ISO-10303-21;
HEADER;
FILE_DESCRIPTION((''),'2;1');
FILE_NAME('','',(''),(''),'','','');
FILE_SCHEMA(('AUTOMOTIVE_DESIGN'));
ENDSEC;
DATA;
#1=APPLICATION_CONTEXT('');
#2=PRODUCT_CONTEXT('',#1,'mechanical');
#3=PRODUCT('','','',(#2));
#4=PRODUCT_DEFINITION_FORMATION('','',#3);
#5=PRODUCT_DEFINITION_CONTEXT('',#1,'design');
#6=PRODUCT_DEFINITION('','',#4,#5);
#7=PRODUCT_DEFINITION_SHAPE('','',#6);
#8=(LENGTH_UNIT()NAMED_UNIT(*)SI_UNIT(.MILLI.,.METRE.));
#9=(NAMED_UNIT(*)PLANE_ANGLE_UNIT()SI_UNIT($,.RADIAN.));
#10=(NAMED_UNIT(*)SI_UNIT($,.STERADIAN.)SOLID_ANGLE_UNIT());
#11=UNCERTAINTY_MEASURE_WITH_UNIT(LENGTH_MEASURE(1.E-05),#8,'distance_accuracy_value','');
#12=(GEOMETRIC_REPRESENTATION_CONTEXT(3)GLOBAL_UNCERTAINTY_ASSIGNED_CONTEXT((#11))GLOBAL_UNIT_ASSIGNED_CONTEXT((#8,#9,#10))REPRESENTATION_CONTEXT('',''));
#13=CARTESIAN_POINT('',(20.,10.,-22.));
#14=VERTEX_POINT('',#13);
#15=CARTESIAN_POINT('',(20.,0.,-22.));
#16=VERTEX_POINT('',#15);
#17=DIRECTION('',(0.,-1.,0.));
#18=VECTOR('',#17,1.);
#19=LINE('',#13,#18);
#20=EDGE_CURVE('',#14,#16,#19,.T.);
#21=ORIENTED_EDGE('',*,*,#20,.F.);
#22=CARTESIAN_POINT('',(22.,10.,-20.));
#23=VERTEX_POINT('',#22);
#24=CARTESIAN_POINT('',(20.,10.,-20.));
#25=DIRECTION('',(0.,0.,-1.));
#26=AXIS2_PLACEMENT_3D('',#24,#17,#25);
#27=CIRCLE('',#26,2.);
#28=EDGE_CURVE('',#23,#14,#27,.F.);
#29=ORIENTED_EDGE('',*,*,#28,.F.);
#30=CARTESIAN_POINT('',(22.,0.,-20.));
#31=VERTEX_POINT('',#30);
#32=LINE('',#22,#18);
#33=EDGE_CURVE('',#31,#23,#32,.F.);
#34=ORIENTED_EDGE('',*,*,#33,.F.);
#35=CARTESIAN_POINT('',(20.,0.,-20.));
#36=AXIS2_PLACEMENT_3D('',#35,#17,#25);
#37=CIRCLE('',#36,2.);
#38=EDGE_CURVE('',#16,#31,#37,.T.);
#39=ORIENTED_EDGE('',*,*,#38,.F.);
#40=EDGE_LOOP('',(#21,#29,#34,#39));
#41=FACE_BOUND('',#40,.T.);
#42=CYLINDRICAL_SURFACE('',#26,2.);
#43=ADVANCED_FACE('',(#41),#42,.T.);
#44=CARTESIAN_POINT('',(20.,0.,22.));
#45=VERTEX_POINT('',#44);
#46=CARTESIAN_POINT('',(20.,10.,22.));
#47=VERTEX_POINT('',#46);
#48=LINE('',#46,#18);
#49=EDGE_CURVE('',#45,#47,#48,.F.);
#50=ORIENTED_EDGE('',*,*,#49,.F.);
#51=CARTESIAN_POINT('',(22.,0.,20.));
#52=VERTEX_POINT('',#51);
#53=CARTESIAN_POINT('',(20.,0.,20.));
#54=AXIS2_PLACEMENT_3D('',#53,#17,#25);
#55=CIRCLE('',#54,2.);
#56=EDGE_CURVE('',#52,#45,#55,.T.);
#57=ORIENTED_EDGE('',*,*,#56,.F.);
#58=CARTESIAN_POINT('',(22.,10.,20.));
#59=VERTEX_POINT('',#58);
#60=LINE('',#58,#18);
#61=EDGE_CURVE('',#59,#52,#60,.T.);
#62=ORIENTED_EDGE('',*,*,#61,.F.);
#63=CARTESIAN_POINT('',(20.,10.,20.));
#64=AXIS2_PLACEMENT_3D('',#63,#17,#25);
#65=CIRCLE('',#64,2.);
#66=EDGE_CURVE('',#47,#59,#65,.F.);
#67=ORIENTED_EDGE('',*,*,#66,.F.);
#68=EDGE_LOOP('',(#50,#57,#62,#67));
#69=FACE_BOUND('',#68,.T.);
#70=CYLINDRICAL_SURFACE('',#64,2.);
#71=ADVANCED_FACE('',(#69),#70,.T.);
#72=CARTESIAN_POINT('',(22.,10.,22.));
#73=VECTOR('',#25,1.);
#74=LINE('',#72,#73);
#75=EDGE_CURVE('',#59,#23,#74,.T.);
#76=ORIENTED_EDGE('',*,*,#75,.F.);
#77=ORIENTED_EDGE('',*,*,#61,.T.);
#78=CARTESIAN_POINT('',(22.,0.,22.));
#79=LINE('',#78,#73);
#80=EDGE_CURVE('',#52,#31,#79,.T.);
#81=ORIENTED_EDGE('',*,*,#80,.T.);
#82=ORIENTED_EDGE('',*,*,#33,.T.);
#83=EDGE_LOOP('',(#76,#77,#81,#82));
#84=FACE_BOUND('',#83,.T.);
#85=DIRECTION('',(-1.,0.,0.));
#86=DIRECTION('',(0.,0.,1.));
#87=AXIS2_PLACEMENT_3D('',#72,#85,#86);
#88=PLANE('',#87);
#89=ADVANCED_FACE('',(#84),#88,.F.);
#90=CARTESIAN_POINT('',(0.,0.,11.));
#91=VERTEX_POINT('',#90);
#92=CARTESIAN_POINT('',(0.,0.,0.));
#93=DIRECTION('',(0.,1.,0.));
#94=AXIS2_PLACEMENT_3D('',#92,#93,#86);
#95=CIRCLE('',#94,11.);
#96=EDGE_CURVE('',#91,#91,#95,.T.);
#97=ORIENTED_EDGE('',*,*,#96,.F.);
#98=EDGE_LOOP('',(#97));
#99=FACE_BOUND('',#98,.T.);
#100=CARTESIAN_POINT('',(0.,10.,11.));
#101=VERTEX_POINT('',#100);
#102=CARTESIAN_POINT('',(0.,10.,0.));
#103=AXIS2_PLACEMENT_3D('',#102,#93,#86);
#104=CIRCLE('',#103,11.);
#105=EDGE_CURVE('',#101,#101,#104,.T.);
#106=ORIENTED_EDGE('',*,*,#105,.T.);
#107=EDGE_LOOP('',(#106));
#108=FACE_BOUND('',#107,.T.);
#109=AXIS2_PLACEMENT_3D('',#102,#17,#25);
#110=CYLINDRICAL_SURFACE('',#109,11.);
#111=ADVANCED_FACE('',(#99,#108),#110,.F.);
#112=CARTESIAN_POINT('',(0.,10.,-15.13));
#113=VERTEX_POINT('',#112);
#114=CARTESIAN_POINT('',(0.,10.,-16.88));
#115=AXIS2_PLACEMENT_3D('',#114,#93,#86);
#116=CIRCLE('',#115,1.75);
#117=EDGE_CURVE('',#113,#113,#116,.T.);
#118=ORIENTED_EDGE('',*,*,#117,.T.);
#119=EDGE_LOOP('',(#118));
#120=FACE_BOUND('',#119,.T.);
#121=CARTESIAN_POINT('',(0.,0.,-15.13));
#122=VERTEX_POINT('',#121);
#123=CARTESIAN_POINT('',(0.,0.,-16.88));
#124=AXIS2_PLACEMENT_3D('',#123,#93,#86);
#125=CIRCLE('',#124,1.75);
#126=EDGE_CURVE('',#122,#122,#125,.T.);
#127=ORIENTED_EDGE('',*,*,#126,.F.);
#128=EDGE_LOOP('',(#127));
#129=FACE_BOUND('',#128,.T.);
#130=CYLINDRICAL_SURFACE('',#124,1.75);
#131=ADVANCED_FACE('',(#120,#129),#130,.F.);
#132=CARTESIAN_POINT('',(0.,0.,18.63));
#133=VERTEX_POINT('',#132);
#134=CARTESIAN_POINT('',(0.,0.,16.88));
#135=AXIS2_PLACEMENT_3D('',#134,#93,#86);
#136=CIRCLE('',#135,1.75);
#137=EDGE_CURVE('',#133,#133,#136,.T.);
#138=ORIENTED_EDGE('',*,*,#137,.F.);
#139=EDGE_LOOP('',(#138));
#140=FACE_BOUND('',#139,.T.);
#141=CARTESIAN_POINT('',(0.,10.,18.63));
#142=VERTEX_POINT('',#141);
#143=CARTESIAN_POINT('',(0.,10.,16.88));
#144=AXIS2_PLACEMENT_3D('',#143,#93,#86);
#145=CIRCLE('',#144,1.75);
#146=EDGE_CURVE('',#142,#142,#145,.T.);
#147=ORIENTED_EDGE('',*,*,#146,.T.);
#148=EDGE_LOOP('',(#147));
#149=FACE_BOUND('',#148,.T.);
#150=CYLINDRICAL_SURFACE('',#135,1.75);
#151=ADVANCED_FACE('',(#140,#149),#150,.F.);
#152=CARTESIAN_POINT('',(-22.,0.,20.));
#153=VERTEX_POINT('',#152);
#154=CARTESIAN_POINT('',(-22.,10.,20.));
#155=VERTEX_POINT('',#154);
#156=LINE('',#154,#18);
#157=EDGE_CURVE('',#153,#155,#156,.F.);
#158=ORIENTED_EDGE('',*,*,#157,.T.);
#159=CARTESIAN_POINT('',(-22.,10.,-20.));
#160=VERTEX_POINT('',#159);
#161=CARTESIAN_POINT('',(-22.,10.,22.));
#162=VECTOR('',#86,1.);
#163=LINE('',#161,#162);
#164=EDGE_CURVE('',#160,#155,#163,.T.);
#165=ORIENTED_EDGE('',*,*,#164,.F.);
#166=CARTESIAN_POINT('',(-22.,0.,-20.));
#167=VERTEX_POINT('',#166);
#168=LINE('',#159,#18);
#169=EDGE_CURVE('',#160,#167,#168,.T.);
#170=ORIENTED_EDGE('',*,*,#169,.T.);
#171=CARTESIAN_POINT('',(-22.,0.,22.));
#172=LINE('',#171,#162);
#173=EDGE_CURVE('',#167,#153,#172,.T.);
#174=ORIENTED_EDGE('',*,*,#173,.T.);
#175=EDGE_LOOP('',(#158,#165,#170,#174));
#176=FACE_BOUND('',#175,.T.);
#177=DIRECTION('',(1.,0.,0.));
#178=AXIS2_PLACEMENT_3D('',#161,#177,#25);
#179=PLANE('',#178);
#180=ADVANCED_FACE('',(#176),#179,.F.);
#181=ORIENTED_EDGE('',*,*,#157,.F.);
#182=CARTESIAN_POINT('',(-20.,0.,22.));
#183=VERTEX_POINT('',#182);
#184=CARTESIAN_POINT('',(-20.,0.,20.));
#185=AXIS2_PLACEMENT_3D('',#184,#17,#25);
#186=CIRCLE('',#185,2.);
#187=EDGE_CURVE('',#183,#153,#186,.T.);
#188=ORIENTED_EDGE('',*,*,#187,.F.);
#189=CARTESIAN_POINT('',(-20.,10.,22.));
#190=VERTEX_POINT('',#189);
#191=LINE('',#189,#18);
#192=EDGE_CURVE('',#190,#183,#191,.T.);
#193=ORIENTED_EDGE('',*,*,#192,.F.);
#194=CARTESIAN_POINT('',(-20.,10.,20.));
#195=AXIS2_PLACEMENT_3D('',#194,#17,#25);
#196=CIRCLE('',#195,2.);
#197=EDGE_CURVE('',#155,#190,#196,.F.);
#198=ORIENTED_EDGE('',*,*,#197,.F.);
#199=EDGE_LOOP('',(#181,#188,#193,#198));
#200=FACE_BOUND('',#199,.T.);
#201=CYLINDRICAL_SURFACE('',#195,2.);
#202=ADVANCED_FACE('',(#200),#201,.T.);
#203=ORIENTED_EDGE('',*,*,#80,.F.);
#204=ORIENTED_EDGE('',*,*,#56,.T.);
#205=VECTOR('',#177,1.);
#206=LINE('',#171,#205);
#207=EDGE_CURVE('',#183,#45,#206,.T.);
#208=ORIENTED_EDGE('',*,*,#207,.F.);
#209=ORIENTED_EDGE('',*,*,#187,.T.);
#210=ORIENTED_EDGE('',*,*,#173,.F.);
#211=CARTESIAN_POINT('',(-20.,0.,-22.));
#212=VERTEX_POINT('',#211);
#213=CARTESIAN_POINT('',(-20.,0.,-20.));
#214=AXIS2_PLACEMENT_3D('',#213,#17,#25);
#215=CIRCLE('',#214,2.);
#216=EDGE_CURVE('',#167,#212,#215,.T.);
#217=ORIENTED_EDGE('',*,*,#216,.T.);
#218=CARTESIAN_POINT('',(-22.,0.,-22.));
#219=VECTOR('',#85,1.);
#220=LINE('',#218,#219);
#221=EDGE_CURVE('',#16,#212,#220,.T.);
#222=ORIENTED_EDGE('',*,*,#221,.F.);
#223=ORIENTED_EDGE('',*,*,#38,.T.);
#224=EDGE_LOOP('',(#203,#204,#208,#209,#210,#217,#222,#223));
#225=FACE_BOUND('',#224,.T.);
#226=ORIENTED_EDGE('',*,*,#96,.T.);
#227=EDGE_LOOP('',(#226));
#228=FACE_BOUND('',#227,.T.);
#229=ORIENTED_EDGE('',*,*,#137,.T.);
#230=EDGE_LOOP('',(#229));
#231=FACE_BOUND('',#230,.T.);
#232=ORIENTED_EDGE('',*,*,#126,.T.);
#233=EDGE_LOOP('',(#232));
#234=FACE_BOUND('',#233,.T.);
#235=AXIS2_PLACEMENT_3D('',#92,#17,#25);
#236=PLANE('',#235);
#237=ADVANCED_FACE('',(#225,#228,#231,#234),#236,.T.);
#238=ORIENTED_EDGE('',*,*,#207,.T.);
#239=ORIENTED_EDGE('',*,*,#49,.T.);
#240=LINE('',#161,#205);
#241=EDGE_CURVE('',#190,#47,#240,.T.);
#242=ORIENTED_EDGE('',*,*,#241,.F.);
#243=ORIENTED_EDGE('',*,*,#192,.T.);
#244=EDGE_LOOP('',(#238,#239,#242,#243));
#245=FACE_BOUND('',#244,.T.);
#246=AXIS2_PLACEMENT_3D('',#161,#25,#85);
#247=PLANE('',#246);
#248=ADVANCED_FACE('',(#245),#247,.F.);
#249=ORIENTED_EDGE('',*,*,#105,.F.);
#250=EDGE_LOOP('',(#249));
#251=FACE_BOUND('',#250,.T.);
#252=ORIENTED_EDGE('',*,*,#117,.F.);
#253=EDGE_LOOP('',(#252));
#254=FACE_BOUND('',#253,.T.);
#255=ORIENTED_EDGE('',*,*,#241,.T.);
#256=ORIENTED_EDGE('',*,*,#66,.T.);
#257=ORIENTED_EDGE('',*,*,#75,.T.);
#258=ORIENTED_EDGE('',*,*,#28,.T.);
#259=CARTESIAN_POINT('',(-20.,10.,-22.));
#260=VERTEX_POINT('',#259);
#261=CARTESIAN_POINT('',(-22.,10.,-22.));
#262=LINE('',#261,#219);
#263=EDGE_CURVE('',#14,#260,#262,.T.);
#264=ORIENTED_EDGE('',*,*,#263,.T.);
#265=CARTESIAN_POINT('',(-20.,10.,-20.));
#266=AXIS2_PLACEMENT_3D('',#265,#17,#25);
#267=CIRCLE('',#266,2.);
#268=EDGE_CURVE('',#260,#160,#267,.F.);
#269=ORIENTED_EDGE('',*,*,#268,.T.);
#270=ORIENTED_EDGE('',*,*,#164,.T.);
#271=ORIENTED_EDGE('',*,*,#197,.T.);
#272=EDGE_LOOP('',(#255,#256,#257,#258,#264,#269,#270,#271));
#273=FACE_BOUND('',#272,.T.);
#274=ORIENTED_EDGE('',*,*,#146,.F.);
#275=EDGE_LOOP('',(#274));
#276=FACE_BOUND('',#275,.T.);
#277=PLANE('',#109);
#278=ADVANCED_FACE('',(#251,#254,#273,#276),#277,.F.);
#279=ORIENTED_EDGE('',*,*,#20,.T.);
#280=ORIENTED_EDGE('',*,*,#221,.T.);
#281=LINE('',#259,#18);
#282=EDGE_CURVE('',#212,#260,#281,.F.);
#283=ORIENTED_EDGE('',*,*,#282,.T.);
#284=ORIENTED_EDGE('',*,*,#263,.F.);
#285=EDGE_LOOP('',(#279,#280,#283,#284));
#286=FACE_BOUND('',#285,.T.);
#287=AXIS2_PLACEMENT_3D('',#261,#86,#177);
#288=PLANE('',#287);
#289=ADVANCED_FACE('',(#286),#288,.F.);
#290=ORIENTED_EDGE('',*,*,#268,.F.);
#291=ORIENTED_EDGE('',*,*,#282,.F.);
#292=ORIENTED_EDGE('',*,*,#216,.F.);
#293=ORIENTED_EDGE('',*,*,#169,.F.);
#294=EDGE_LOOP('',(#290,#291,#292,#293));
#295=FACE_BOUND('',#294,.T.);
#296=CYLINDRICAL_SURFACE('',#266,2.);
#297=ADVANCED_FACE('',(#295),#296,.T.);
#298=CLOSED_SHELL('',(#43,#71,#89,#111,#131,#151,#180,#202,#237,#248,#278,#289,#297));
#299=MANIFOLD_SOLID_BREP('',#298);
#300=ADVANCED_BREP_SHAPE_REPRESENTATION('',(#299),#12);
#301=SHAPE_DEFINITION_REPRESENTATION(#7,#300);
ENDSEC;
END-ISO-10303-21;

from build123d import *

# Parameters (mm, degrees)
CROQUIS1_W              = 44
CROQUIS1_H              = 44
CROQUIS1_R              = 11
SALIENTE_EXTRUIR1_DEPTH = 10
CROQUIS2_R              = 1.75
CORTAR_EXTRUIR1_DEPTH   = 33.680269277
REDONDEO1_R             = 2


with BuildPart() as part:
    # Croquis1 → Saliente-Extruir1 (new body)
    with BuildSketch(Plane(origin=(0, 0, 0), x_dir=(1, 0, 0), z_dir=(0, 1, 0))):
        Rectangle(CROQUIS1_W, CROQUIS1_H)
        with Locations(Location((0, 0, 0), (0, 0, 270))):
            Circle(CROQUIS1_R, mode=Mode.SUBTRACT)
    extrude(amount=SALIENTE_EXTRUIR1_DEPTH)

    # Croquis2 → Cortar-Extruir1 (cut, through all)
    with BuildSketch(Plane(origin=(0, 10, 0), x_dir=(1, 0, 0), z_dir=(0, 1, 0))):
        with Locations(Location((0, 16.88, 0), (0, 0, 270))):
            Circle(CROQUIS2_R)
        with Locations(Location((0, -16.88, 0), (0, 0, 270))):
            Circle(CROQUIS2_R)
    extrude(amount=-CORTAR_EXTRUIR1_DEPTH, mode=Mode.SUBTRACT)

    # Redondeo1
    redondeo1_edges = [part.edges().sort_by_distance(p)[0] for p in [
        (22, 5, 22),
        (-22, 5, 22),
        (-22, 5, -22),
        (22, 5, -22),
    ]]
    fillet(redondeo1_edges, radius=REDONDEO1_R)


solid = part.part
